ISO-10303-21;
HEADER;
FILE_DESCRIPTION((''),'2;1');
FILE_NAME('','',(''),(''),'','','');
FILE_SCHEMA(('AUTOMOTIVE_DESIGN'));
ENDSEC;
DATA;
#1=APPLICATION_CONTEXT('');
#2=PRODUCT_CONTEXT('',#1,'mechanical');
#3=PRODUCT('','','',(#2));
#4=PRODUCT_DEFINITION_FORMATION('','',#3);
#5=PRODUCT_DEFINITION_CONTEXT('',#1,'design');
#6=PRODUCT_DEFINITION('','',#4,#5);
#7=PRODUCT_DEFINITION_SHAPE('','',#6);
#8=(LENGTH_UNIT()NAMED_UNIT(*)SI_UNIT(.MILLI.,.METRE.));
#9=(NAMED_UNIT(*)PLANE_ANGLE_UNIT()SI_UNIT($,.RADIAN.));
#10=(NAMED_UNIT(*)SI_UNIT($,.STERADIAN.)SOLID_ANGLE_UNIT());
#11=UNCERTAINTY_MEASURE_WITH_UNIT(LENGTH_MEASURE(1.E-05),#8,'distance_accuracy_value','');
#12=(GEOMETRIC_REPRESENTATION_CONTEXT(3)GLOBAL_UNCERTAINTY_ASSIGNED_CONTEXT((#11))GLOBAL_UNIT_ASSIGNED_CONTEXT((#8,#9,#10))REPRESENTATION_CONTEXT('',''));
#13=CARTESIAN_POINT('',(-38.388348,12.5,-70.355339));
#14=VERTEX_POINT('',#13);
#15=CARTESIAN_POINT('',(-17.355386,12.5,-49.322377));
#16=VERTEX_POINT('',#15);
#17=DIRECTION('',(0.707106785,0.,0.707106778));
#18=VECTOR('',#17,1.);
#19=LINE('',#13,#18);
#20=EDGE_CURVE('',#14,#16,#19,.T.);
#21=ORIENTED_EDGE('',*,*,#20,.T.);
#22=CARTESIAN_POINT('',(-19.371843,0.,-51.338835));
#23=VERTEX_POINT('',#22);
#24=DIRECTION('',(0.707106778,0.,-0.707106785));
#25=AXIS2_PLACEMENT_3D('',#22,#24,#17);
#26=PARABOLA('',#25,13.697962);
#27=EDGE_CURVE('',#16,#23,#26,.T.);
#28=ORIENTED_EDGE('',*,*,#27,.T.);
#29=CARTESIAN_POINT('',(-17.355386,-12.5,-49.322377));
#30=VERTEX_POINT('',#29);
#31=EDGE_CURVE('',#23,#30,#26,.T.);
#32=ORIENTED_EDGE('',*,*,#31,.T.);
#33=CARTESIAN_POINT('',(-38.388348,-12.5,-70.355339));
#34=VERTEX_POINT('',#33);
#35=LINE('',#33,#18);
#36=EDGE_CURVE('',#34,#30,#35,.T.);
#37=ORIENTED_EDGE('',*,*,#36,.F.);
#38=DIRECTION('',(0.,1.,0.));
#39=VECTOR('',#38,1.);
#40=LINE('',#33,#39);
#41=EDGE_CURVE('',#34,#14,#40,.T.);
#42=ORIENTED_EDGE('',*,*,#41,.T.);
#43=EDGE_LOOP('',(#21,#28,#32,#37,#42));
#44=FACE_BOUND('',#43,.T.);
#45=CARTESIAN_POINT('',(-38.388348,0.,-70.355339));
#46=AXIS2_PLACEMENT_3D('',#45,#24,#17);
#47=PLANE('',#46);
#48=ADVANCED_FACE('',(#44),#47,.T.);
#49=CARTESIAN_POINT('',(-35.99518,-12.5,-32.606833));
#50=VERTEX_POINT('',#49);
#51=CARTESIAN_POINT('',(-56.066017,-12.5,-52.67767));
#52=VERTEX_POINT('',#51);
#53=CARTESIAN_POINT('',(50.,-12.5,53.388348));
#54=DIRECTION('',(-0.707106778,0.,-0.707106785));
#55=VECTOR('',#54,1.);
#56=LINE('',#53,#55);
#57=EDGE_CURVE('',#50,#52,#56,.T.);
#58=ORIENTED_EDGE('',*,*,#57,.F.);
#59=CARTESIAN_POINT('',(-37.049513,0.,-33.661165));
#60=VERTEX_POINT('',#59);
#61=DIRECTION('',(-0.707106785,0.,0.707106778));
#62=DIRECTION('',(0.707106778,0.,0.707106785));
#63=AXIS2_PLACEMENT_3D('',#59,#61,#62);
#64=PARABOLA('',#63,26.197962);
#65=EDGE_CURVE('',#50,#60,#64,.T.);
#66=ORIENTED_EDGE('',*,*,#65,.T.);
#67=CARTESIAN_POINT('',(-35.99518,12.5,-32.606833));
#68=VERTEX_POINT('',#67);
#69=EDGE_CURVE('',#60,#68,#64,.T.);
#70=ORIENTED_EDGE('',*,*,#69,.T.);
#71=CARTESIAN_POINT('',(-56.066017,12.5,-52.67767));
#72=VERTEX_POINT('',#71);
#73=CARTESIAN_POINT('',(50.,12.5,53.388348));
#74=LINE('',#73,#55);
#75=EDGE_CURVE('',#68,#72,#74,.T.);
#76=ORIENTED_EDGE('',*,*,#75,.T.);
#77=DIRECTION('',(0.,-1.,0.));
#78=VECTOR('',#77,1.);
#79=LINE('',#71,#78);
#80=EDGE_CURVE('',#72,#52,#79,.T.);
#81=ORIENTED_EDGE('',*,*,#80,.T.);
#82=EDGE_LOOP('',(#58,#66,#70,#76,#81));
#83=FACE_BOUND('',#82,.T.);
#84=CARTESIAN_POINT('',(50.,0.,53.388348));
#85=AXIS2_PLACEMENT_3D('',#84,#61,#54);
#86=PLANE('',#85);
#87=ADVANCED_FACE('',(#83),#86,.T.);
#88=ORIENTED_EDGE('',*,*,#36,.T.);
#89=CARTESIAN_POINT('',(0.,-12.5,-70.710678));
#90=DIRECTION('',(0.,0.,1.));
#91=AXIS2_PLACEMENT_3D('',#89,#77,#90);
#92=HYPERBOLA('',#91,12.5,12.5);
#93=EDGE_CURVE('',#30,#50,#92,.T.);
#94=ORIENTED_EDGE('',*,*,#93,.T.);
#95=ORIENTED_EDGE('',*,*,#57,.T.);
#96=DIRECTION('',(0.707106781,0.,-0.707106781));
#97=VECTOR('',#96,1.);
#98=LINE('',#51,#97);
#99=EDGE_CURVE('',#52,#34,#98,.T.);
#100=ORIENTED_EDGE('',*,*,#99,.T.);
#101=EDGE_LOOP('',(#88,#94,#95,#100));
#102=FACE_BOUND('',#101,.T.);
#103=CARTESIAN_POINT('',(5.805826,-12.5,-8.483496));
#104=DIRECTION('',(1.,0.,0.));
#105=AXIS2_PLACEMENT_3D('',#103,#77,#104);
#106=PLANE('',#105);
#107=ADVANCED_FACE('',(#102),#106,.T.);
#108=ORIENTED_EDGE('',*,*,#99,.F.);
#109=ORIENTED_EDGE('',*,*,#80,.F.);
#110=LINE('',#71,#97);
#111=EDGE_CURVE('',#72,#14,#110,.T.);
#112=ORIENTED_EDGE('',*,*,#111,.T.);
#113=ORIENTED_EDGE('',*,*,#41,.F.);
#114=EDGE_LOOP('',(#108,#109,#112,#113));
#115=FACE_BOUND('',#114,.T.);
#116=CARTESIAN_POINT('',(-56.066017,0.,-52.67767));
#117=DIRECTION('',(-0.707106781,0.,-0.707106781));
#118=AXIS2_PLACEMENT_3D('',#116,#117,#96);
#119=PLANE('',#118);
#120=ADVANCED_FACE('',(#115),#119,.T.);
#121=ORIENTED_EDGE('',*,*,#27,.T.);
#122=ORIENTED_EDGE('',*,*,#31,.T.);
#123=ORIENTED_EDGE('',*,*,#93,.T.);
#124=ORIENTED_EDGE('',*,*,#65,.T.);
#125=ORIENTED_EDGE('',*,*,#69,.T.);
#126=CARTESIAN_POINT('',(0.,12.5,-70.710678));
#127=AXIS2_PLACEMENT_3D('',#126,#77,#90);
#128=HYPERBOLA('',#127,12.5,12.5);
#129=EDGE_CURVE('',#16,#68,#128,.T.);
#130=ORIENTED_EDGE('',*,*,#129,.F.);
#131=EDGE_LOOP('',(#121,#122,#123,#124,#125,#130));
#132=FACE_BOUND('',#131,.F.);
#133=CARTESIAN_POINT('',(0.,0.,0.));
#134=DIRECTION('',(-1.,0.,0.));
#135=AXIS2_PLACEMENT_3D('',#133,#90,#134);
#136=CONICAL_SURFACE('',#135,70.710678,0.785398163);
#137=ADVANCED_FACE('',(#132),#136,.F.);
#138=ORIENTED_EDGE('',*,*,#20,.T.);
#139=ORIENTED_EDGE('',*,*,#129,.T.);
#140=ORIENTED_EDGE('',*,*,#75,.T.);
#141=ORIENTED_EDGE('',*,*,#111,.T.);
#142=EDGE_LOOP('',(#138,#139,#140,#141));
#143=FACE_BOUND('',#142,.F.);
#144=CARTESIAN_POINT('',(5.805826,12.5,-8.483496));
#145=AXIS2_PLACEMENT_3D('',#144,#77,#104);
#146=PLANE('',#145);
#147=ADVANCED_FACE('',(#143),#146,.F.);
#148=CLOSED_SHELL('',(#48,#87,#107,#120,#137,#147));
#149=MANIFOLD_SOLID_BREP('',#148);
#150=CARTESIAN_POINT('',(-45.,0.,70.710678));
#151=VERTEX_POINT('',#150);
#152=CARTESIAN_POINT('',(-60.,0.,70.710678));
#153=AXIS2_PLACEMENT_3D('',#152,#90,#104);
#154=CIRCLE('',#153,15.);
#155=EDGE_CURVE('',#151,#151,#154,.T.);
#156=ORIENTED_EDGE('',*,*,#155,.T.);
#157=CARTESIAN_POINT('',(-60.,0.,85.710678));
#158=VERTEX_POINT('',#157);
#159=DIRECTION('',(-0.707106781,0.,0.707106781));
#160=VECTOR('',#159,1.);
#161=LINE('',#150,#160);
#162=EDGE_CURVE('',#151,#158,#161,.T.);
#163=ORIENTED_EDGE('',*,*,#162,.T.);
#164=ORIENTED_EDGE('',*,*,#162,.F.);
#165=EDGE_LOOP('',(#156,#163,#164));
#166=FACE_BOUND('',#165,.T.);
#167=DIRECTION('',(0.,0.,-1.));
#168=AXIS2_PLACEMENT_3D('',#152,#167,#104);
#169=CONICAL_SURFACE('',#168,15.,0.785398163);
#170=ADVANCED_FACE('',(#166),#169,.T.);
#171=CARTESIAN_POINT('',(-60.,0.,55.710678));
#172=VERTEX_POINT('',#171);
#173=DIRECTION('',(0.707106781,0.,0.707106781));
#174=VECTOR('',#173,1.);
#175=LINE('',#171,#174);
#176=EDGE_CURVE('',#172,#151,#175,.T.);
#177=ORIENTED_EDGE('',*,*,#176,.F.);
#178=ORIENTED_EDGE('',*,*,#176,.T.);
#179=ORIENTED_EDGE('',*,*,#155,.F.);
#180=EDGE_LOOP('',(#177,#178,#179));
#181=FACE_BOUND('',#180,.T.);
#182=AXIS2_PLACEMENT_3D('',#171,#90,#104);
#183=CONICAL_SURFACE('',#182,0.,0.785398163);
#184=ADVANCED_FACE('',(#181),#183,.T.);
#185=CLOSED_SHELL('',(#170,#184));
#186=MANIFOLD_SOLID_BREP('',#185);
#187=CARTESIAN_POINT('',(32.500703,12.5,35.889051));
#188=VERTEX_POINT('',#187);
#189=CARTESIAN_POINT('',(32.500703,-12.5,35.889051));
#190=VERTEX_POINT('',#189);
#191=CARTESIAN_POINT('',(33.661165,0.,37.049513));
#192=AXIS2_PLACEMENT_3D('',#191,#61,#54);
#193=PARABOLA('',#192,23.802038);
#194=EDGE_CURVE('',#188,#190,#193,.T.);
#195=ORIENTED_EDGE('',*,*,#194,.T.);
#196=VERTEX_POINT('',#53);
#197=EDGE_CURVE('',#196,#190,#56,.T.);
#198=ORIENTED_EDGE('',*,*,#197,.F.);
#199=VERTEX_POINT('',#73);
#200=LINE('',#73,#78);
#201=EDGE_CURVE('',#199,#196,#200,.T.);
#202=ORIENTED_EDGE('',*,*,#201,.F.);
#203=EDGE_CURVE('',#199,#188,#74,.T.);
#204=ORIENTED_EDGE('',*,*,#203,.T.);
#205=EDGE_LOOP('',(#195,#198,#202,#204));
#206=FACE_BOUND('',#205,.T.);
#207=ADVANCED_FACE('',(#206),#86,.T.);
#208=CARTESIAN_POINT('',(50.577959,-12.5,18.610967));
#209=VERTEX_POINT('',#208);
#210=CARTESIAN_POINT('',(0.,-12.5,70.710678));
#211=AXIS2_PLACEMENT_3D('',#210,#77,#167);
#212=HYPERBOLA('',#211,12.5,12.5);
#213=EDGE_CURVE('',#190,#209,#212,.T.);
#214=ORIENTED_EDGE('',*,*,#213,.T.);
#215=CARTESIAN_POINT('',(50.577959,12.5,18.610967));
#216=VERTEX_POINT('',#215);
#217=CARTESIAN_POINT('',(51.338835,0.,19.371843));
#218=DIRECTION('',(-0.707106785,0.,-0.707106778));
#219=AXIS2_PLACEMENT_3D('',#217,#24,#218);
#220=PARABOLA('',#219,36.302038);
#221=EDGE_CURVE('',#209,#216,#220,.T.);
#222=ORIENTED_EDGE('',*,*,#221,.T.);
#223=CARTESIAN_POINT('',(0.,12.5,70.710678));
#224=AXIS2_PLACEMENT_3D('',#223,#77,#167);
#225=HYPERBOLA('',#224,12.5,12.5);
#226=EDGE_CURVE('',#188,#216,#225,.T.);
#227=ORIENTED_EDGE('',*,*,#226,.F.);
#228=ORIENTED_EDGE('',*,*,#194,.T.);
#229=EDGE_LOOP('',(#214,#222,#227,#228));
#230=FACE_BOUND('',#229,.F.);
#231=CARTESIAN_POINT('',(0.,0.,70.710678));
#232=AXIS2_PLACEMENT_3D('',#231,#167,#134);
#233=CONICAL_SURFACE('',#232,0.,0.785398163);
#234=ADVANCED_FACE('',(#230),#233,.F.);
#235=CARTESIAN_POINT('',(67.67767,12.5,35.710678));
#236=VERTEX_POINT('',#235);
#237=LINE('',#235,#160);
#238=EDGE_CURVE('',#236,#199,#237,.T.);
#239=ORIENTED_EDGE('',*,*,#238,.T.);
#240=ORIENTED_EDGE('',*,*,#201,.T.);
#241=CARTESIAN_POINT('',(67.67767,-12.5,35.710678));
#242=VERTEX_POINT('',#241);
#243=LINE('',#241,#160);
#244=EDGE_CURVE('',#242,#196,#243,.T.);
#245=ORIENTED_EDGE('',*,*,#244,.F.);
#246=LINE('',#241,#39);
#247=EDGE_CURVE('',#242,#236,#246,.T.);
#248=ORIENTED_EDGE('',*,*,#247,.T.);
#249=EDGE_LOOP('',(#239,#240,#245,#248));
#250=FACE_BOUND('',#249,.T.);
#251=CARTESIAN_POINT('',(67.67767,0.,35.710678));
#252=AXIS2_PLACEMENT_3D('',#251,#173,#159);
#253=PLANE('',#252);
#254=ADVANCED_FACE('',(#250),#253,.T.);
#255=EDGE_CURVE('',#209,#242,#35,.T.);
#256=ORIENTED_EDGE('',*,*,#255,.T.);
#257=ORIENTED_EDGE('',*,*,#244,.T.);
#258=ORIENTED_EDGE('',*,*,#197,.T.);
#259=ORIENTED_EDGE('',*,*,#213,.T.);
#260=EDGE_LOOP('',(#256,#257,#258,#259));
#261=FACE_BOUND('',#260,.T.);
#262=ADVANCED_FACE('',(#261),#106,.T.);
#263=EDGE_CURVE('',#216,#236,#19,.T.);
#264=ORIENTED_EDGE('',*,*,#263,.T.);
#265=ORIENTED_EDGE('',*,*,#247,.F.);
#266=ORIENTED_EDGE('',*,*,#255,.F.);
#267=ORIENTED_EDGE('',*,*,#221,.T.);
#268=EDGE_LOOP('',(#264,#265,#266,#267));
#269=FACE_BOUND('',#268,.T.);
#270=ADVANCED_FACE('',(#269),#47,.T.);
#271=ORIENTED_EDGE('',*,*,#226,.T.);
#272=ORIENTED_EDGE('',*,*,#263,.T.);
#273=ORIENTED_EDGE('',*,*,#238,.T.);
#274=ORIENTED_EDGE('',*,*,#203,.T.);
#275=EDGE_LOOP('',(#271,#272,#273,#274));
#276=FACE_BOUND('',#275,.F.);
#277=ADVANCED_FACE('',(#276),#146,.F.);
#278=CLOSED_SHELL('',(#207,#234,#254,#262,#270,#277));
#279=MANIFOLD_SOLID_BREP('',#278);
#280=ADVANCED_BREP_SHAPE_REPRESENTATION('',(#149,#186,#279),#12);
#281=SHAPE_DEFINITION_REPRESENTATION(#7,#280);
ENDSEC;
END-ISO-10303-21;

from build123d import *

# Parameters (mm, degrees)
F5_DEPTH = 12.5


with BuildPart() as f1:
    # F0 (on Front) → F1 (revolve)
    with BuildSketch(Plane.XZ):
        Polygon((0, -70.710678), (0, 70.710678), (-70.710678, 0), align=None)
    revolve(axis=Axis((0, 0, -1.175915), (0, 0, -1)))


with BuildPart() as f3:
    # F2 (on Front) → F3 (revolve)
    with BuildSketch(Plane.XZ):
        Polygon((-60, 55.710678), (-45, 70.710678), (-60, 85.710678), align=None)
    revolve(axis=Axis((-60, 0, 69.177093), (0, 0, 1)))


with BuildPart() as f5:
    # F4 (on Front) → F5 (new body, symmetric)
    with BuildSketch(Plane.XZ):
        Polygon((67.67767, 35.710678), (50, 53.388348), (-56.066017, -52.67767), (-38.388348, -70.355339), align=None)
    extrude(amount=F5_DEPTH, both=True)

    # F6: cut F1
    add(f1.part, mode=Mode.SUBTRACT)


solid = Compound([f3.part, f5.part])
